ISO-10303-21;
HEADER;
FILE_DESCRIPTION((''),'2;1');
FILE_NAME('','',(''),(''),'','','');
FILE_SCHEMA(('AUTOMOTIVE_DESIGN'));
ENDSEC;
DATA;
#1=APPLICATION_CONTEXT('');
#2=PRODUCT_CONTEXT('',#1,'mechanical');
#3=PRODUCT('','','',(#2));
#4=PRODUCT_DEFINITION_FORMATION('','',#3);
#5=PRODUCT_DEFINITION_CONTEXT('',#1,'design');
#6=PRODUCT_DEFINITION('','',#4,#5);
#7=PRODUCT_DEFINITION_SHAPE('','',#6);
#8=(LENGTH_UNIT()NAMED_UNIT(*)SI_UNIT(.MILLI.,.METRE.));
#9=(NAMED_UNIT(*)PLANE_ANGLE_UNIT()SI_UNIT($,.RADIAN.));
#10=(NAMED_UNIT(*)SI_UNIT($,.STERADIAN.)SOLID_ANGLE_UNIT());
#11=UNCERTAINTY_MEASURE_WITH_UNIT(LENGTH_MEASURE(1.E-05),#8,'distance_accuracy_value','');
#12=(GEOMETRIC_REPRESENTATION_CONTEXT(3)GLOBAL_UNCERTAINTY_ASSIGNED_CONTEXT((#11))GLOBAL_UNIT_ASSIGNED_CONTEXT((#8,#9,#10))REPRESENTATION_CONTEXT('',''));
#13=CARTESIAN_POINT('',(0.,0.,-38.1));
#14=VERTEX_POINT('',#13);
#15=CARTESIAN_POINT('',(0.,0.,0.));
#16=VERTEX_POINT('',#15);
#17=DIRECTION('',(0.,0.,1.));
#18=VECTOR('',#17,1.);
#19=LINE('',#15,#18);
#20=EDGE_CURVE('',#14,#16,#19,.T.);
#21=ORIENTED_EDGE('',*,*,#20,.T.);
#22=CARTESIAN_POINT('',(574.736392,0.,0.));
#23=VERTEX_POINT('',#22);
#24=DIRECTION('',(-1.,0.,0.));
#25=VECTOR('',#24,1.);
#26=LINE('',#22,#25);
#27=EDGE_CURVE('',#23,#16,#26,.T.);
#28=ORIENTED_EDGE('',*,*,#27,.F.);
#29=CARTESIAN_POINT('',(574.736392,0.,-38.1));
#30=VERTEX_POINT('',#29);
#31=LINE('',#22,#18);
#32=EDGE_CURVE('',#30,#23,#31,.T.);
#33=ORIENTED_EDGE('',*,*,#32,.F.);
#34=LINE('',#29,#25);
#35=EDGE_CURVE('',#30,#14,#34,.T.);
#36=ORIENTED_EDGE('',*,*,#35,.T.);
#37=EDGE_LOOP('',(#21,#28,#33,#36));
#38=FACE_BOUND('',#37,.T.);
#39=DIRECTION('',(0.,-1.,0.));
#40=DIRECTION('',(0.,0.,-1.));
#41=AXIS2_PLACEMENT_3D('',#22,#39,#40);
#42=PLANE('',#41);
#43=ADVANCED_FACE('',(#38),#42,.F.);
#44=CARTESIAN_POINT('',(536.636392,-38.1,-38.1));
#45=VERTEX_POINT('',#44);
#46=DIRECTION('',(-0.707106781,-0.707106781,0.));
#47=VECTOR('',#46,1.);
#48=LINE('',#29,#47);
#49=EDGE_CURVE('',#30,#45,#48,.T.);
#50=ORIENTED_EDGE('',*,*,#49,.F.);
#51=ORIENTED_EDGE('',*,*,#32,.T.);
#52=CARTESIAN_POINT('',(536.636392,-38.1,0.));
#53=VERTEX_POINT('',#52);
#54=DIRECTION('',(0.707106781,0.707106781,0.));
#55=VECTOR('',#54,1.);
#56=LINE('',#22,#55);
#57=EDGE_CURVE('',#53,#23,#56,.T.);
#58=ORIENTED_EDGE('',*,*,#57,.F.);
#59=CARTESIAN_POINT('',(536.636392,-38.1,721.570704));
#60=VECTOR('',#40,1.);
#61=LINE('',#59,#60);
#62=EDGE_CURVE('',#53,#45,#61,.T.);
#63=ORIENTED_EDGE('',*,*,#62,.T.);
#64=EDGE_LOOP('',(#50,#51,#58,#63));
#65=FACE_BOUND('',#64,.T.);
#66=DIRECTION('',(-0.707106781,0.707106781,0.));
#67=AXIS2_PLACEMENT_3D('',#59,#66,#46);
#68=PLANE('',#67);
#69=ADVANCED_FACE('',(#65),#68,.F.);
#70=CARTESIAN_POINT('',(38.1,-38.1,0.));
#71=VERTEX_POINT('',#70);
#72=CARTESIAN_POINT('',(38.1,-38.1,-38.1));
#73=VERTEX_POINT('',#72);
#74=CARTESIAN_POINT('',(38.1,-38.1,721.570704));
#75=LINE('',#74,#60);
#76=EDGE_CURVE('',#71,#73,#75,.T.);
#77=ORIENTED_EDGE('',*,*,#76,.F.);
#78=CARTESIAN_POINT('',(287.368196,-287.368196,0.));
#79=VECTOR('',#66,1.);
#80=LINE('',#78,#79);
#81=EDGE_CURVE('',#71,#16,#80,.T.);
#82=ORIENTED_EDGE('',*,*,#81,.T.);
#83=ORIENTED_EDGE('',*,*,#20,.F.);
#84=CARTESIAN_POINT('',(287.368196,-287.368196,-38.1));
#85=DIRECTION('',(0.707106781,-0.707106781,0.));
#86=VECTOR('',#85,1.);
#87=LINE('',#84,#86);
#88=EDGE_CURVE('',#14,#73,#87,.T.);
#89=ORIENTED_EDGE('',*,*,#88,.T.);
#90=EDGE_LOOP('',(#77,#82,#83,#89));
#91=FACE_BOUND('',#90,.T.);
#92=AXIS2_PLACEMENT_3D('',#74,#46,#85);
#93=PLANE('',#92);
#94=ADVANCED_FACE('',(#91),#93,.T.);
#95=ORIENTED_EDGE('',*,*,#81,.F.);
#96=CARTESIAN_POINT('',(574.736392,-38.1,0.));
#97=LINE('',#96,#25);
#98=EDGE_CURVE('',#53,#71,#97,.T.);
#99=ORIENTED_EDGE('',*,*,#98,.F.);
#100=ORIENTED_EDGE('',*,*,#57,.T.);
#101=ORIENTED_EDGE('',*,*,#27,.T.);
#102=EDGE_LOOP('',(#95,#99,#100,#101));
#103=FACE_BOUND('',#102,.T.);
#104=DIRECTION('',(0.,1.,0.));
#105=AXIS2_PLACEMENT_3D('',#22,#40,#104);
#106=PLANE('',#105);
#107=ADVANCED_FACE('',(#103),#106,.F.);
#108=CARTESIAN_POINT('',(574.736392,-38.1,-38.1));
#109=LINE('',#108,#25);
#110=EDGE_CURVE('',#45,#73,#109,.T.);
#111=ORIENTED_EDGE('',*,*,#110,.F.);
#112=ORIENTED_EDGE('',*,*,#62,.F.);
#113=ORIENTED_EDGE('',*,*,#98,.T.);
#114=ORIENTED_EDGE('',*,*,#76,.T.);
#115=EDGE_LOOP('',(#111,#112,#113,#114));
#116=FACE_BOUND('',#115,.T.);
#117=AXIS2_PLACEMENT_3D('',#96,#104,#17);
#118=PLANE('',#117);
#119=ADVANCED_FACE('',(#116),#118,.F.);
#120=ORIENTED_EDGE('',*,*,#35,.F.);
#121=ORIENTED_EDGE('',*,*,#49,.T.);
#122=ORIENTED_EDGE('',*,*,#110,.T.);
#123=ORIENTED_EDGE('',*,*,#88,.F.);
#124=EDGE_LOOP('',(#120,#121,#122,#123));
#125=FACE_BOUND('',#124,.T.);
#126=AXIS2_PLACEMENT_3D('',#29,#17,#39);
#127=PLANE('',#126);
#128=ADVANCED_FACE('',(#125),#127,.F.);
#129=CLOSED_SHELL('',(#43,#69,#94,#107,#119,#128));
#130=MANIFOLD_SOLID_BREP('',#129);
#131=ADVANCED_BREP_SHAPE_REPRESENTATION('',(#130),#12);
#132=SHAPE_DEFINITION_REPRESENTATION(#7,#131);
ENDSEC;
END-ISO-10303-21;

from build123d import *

# Parameters (mm, degrees)
SKETCH1_W               = 38.1
SKETCH1_H               = 38.1
BOSS_EXTRUDE1_DEPTH     = 574.7363918
CUT_EXTRUDE1_DEPTH      = 578.256563461
CUT_EXTRUDE1_DEPTH_BACK = 578.256563461
CUT_EXTRUDE2_DEPTH      = 578.256563461
CUT_EXTRUDE2_DEPTH_BACK = 578.256563461


with BuildPart() as part:
    # Sketch1 → Boss-Extrude1 (new body)
    with BuildSketch(Plane(origin=(0, 0, 0), x_dir=(0, 0, -1), z_dir=(1, 0, 0))):
        with Locations((19.05, -19.05)):
            Rectangle(SKETCH1_W, SKETCH1_H)
    extrude(amount=BOSS_EXTRUDE1_DEPTH)

    # Sketch2 → Cut-Extrude1 (cut, two sides: drawn at the far end of the back side and taken through both)
    with BuildSketch(Plane.XY.offset(-CUT_EXTRUDE1_DEPTH_BACK)):
        Polygon((-1161.9957119, -38.1), (0, -38.1), (38.1, -38.1), (0, 0), (-821.655047595, 821.655047595), (-2982.499615844, 1677.042030058), (-3322.84028015, 817.286982464), align=None)
    extrude(amount=CUT_EXTRUDE1_DEPTH + CUT_EXTRUDE1_DEPTH_BACK, mode=Mode.SUBTRACT)

    # Sketch3 → Cut-Extrude2 (cut, two sides: drawn at the far end of the back side and taken through both)
    with BuildSketch(Plane.XY.offset(-CUT_EXTRUDE2_DEPTH_BACK)):
        Polygon((1736.7321037, -38.1), (574.7363918, -38.1), (536.6363918, -38.1), (574.7363918, 0), (1396.391439395, 821.655047595), (3557.236007644, 1677.042030058), (3897.57667195, 817.286982464), align=None)
    extrude(amount=CUT_EXTRUDE2_DEPTH + CUT_EXTRUDE2_DEPTH_BACK, mode=Mode.SUBTRACT)


solid = part.part
